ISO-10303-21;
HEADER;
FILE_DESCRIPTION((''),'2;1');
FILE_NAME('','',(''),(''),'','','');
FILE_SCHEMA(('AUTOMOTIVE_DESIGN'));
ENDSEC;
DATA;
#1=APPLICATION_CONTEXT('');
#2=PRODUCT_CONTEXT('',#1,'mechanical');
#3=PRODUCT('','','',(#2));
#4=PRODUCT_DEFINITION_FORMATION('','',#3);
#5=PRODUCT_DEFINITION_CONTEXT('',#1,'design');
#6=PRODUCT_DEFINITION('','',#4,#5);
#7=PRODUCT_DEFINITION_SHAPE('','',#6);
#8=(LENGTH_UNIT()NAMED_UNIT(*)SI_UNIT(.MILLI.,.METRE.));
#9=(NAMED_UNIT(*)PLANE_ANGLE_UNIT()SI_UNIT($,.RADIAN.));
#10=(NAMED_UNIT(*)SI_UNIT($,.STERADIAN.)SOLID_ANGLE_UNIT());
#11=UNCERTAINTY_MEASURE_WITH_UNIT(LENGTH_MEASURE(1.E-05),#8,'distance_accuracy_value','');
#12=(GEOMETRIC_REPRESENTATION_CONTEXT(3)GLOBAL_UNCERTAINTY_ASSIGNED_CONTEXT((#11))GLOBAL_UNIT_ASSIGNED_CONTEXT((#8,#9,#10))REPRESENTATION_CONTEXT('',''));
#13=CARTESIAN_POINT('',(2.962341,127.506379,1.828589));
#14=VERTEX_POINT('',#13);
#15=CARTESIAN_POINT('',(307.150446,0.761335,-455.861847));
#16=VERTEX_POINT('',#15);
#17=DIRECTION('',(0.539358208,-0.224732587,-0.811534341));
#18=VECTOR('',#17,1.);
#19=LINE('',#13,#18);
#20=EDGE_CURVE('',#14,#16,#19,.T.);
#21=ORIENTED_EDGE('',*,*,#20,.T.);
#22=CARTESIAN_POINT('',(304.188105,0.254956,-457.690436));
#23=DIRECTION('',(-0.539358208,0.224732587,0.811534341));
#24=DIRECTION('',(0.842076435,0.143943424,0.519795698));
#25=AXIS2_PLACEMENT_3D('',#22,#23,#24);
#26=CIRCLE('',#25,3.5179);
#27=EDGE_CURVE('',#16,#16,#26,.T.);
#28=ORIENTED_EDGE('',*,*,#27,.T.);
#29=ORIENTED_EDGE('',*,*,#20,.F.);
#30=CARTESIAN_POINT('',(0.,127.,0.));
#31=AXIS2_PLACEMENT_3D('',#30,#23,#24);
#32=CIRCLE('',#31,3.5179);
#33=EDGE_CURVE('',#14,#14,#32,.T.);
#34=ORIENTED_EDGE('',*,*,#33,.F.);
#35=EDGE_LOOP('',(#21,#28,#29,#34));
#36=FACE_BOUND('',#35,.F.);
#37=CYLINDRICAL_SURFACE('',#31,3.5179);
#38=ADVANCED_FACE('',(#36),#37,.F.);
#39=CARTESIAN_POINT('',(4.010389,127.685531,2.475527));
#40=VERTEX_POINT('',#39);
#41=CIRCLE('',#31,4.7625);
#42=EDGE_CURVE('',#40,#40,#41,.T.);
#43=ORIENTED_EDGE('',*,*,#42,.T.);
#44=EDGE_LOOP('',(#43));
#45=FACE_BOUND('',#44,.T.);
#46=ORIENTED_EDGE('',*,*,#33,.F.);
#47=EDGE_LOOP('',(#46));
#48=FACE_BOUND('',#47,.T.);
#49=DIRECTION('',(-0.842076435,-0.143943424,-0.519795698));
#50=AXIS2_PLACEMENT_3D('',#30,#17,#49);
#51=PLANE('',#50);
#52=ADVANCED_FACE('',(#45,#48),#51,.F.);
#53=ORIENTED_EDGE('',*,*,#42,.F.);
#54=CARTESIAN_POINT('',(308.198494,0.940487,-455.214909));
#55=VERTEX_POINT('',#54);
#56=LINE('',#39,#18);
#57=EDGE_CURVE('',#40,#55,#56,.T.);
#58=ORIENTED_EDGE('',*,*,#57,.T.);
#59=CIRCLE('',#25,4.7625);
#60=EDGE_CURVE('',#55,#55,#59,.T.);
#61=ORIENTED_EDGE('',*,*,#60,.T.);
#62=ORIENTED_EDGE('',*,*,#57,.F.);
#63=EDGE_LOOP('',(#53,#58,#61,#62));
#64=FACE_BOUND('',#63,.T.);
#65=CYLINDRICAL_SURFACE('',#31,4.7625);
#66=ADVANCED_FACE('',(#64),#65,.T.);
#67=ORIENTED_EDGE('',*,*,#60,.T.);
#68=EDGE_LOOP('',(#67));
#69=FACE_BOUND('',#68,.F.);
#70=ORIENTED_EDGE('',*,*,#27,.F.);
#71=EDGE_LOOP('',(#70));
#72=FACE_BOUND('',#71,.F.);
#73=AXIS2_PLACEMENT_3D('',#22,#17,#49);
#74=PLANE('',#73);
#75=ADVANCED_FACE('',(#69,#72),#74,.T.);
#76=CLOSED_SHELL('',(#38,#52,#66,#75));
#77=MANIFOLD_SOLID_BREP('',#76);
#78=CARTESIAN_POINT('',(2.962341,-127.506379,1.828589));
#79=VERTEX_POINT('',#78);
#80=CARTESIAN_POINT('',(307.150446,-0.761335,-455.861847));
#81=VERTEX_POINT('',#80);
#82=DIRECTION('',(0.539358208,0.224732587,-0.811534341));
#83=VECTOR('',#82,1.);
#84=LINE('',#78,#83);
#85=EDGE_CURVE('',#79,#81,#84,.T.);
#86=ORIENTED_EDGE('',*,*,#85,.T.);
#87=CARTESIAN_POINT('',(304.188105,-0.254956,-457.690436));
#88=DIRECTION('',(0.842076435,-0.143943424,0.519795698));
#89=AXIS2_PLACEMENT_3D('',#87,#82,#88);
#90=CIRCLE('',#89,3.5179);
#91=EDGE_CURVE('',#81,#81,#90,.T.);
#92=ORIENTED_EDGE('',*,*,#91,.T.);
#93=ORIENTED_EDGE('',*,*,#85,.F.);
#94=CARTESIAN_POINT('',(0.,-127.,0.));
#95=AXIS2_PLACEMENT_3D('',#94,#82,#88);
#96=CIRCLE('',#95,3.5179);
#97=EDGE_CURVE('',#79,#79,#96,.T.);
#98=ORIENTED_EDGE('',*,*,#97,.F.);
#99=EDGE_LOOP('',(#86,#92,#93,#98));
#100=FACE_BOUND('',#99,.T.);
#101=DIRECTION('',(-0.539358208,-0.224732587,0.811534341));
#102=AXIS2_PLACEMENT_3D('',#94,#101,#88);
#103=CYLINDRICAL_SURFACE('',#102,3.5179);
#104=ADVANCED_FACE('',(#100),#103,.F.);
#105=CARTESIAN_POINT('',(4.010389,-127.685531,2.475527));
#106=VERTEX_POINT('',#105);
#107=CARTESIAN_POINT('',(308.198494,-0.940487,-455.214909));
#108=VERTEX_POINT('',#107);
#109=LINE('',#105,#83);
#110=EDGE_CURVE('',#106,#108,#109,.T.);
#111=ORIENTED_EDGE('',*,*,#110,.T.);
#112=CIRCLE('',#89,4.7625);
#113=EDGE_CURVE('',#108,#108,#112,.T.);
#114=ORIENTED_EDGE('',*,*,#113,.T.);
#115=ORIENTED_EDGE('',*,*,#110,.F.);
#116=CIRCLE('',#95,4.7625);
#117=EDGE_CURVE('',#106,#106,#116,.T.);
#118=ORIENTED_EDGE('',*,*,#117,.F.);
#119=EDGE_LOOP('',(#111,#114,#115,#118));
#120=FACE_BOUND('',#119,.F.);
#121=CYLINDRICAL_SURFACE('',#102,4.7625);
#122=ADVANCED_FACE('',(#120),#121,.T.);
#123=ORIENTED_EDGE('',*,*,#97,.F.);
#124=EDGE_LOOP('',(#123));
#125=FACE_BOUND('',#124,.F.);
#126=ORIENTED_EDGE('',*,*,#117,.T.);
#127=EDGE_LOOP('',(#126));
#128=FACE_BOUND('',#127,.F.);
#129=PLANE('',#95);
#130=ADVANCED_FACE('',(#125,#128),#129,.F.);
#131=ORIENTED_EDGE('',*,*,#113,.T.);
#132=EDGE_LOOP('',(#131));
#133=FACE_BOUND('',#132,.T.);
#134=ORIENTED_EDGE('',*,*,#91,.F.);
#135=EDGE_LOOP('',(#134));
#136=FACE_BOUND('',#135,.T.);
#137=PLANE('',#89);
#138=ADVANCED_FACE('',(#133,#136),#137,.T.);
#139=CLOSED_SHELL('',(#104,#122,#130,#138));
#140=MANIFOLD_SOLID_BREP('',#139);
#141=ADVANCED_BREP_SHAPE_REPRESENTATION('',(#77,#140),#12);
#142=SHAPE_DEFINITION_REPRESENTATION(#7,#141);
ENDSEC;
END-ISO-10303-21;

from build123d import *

# Parameters (mm, degrees)
F7_R     = 4.7625
F7_R_2   = 3.5179
F8_DEPTH = 563.9816


with BuildPart() as f8:
    # F7 (on 3pt) → F8 (new body)
    with BuildSketch(Plane(origin=(-15.3938434104, -6.414101421, 23.1620329091), x_dir=(0.8420764353, -0.1439434241, 0.5197956981), z_dir=(0.5393582085, 0.2247325869, -0.8115343415))):
        with Locations((18.2808148576, 122.3937127784)):
            Circle(F7_R)
        with Locations((18.2808148576, 122.3937127784)):
            Circle(F7_R_2, mode=Mode.SUBTRACT)
    extrude(amount=F8_DEPTH)


with BuildPart() as f9_1:
    # F9: instance of F8
    add(f8.part.mirror(Plane.XZ))


solid = Compound([f8.part, f9_1.part])
